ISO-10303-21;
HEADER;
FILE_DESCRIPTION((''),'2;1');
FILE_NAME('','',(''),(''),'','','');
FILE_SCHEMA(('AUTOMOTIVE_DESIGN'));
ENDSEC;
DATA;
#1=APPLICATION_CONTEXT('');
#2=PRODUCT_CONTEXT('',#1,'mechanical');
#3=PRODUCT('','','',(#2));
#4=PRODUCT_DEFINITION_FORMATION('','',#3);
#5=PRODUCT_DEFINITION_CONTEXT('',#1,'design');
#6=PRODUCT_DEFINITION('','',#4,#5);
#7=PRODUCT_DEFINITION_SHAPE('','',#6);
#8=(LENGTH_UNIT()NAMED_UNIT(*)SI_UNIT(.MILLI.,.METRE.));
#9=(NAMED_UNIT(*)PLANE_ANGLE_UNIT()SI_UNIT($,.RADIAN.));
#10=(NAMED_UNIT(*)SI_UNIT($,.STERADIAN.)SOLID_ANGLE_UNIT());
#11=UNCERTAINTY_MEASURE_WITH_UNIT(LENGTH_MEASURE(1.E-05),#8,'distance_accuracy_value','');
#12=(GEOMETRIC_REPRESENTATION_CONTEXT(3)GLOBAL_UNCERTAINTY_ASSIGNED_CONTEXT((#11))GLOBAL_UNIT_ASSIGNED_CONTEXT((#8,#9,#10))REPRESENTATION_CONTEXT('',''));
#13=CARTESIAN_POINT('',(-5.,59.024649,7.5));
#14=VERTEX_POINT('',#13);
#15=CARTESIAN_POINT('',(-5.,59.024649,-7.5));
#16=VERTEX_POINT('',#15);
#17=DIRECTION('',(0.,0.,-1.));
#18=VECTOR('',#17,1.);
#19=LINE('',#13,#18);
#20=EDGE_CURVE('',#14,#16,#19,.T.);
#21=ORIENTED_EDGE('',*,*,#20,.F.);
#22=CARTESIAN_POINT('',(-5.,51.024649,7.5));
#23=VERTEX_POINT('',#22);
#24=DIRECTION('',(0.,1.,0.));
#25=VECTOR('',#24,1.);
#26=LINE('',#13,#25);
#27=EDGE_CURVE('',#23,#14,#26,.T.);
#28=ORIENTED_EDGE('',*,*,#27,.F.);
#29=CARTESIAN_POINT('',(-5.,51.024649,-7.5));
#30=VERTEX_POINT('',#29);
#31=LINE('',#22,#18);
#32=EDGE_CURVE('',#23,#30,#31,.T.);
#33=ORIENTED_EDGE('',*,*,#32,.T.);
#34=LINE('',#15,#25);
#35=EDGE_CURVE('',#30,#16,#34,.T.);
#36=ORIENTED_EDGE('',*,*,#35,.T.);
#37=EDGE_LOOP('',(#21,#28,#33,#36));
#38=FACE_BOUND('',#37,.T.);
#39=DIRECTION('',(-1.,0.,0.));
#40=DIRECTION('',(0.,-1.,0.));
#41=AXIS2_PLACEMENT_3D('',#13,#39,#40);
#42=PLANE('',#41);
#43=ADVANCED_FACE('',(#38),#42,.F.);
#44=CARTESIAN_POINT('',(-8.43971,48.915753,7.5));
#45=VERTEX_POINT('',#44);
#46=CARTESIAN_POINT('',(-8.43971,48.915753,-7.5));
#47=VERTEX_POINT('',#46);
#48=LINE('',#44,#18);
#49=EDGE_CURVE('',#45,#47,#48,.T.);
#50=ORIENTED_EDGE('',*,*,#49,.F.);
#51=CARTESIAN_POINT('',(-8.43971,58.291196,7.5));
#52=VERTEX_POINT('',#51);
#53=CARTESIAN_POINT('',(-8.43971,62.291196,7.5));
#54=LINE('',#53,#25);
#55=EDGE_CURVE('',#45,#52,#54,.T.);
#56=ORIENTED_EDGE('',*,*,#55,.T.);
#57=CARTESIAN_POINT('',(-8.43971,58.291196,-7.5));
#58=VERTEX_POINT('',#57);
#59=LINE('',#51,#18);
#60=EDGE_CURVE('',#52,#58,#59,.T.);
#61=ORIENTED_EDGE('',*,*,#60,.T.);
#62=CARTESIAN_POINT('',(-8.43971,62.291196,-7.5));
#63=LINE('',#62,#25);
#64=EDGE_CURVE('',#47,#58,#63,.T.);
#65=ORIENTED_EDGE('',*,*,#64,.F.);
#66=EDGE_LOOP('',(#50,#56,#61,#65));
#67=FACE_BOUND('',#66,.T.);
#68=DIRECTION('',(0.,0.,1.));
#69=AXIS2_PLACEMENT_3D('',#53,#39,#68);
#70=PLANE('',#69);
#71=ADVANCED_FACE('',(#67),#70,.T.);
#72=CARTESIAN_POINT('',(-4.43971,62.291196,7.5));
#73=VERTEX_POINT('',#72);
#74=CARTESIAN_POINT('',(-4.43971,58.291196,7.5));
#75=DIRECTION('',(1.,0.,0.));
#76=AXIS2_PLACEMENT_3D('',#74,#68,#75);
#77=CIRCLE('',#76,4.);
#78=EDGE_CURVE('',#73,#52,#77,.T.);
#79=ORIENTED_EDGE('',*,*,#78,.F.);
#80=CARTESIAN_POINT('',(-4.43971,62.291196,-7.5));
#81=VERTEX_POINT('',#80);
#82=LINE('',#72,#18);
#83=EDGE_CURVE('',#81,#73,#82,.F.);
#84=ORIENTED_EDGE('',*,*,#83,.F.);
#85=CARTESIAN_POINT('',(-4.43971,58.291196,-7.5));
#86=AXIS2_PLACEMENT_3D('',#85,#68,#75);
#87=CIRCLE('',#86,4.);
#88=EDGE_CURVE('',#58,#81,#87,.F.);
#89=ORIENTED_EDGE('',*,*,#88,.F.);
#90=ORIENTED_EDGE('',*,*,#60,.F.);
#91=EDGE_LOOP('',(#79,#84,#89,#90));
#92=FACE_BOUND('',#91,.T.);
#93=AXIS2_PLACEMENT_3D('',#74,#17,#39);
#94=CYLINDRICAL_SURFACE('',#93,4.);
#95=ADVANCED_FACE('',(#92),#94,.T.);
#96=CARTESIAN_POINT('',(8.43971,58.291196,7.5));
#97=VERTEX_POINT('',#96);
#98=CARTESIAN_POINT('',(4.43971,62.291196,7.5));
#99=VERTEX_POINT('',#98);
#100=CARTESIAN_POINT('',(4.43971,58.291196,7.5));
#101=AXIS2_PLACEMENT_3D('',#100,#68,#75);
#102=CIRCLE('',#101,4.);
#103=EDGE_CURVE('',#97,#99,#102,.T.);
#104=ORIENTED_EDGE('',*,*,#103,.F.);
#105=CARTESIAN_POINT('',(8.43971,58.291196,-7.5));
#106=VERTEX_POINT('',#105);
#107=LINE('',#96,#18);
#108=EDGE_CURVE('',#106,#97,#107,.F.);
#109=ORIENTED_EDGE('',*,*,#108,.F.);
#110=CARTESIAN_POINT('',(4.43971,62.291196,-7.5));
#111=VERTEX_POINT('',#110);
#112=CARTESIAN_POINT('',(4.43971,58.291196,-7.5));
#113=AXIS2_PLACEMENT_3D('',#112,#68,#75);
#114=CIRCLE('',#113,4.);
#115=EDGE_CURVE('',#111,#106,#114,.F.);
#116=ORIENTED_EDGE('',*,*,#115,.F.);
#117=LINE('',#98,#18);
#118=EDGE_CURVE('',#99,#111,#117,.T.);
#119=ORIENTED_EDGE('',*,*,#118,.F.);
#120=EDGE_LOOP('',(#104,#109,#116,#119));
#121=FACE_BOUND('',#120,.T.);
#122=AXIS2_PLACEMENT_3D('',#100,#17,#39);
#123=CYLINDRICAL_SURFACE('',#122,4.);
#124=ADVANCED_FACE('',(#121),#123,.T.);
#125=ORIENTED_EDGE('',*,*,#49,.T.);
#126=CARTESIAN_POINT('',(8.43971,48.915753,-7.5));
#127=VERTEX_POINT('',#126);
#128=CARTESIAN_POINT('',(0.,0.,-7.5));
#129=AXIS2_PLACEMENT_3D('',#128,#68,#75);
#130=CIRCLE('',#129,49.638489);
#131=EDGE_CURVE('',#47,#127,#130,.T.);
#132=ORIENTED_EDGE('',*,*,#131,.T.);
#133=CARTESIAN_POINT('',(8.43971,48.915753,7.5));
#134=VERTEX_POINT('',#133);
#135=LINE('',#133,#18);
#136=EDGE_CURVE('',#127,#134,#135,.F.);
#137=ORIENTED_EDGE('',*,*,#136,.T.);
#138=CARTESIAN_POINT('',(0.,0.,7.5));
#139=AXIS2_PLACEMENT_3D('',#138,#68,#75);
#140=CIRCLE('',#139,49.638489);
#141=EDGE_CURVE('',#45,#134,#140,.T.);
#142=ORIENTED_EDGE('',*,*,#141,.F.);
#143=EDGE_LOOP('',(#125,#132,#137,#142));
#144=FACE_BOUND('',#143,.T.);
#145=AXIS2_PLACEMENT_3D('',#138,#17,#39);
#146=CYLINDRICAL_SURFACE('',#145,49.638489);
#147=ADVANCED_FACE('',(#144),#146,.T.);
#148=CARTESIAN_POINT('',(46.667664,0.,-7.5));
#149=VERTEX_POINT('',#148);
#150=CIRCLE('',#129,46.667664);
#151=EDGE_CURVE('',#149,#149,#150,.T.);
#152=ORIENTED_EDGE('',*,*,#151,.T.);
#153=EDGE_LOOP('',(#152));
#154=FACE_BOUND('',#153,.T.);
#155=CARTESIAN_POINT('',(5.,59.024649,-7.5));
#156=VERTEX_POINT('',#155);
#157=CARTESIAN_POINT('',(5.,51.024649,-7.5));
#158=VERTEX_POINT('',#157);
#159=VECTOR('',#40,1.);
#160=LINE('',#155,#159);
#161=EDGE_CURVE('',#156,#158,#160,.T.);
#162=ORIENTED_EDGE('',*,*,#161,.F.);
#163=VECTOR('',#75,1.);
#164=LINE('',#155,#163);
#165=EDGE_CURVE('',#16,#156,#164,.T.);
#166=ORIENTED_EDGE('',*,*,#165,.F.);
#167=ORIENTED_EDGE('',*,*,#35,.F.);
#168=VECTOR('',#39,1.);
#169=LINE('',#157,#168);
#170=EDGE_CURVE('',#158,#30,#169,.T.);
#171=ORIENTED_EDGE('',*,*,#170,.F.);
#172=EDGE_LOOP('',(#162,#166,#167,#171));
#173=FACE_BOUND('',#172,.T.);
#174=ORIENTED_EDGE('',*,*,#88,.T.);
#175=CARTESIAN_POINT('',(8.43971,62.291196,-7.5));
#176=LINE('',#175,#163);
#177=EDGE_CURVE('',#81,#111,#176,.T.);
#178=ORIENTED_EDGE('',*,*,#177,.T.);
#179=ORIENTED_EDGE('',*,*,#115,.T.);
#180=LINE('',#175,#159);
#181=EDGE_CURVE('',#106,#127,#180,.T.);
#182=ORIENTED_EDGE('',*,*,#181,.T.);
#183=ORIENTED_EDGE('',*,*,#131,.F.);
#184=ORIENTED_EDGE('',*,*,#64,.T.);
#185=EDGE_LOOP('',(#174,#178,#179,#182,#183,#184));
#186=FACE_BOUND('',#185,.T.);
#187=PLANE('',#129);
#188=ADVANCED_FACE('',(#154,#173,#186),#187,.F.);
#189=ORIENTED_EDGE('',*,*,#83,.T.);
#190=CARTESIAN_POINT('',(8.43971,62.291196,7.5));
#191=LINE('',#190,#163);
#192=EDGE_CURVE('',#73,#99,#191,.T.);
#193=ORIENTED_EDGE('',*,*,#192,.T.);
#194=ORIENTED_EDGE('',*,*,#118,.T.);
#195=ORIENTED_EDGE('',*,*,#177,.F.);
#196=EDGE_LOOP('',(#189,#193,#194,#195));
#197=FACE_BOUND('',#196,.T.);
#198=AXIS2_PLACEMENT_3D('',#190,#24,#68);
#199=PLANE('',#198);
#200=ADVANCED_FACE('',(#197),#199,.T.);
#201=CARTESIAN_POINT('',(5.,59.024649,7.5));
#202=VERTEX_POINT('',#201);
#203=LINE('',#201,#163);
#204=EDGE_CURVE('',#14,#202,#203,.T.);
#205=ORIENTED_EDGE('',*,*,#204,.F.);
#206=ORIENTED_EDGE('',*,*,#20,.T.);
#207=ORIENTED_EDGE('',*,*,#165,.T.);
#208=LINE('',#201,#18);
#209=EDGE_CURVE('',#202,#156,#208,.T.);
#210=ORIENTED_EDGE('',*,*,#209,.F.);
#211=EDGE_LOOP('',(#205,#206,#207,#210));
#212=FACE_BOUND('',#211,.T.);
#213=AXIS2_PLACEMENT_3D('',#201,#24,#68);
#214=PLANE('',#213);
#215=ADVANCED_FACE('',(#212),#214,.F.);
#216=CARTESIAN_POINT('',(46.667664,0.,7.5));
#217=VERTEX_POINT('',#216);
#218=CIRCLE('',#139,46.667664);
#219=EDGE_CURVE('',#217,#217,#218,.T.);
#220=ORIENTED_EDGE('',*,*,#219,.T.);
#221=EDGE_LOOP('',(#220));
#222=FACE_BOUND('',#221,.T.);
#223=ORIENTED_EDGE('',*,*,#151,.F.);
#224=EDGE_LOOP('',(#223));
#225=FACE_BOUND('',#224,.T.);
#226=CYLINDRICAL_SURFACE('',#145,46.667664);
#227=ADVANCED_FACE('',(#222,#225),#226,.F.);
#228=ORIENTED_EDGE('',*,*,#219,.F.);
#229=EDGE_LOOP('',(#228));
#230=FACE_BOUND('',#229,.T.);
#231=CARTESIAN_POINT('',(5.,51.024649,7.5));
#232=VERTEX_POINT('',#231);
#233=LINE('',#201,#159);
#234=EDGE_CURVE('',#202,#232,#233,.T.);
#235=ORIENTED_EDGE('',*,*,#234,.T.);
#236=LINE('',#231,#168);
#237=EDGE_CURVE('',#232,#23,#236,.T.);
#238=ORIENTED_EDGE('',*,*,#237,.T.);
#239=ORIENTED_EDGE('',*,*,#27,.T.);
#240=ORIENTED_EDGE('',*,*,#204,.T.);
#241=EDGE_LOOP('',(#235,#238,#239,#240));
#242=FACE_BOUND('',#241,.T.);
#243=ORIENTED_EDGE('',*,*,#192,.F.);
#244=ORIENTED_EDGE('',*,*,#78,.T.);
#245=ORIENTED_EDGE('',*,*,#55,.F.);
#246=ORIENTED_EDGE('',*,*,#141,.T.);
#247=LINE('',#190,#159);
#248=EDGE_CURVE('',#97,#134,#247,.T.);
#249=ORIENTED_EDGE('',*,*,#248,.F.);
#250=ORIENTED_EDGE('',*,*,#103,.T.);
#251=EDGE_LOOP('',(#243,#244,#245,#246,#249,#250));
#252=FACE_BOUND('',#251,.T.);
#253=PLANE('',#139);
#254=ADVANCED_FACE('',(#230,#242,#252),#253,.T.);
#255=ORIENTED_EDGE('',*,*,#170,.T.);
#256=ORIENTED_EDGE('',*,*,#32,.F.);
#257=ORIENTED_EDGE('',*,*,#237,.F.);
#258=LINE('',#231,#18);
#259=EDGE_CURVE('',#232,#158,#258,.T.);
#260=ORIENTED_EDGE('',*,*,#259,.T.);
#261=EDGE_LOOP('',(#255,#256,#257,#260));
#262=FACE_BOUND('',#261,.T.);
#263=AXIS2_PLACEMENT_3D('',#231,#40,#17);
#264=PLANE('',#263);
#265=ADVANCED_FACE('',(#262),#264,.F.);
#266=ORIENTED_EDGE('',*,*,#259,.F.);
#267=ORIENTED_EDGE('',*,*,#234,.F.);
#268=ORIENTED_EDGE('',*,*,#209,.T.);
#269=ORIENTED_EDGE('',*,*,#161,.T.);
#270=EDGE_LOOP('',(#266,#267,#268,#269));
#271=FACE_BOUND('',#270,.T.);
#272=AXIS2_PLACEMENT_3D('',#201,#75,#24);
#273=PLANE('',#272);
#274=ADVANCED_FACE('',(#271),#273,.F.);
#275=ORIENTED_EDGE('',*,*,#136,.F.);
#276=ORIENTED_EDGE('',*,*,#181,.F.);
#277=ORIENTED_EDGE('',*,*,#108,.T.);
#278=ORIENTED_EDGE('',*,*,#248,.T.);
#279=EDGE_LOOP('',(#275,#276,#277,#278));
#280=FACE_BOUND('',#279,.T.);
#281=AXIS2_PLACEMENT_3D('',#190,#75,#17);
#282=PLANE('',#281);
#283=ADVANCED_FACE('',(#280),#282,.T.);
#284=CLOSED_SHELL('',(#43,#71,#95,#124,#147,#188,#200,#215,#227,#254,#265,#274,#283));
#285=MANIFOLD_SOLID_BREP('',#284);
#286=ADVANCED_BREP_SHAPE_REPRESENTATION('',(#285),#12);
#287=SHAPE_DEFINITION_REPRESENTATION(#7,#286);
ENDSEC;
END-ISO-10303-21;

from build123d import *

# Parameters (mm, degrees)
SKETCH1_R           = 49.638488844
SKETCH1_R_2         = 46.667664218
BOSS_EXTRUDE1_DEPTH = 7.5
SKETCH2_W           = 16.879419562
SKETCH2_H           = 14.533093082
SKETCH2_W_2         = 10
SKETCH2_H_2         = 8
BOSS_EXTRUDE2_DEPTH = 15
FILLET1_R           = 4


with BuildPart() as part:
    # Sketch1 → Boss-Extrude1 (new, symmetric)
    with BuildSketch(Plane.XY):
        Circle(SKETCH1_R)
        Circle(SKETCH1_R_2, mode=Mode.SUBTRACT)
    extrude(amount=BOSS_EXTRUDE1_DEPTH, both=True)

    # Sketch2 → Boss-Extrude2 (add)
    with BuildSketch(Plane(origin=(0, 0, -7.5), x_dir=(-1, 0, 0), z_dir=(0, 0, -1))):
        with Locations((0, 55.024649482)):
            Rectangle(SKETCH2_W, SKETCH2_H)
        with Locations((0, 55.024649482)):
            Rectangle(SKETCH2_W_2, SKETCH2_H_2, mode=Mode.SUBTRACT)
    extrude(amount=-BOSS_EXTRUDE2_DEPTH)

    # Fillet1
    fillet1_edges = [part.edges().sort_by_distance(p)[0] for p in [
        (-8.439709781, 62.291196023, 0),
        (8.439709781, 62.291196023, 0),
    ]]
    fillet(fillet1_edges, radius=FILLET1_R)


solid = part.part
